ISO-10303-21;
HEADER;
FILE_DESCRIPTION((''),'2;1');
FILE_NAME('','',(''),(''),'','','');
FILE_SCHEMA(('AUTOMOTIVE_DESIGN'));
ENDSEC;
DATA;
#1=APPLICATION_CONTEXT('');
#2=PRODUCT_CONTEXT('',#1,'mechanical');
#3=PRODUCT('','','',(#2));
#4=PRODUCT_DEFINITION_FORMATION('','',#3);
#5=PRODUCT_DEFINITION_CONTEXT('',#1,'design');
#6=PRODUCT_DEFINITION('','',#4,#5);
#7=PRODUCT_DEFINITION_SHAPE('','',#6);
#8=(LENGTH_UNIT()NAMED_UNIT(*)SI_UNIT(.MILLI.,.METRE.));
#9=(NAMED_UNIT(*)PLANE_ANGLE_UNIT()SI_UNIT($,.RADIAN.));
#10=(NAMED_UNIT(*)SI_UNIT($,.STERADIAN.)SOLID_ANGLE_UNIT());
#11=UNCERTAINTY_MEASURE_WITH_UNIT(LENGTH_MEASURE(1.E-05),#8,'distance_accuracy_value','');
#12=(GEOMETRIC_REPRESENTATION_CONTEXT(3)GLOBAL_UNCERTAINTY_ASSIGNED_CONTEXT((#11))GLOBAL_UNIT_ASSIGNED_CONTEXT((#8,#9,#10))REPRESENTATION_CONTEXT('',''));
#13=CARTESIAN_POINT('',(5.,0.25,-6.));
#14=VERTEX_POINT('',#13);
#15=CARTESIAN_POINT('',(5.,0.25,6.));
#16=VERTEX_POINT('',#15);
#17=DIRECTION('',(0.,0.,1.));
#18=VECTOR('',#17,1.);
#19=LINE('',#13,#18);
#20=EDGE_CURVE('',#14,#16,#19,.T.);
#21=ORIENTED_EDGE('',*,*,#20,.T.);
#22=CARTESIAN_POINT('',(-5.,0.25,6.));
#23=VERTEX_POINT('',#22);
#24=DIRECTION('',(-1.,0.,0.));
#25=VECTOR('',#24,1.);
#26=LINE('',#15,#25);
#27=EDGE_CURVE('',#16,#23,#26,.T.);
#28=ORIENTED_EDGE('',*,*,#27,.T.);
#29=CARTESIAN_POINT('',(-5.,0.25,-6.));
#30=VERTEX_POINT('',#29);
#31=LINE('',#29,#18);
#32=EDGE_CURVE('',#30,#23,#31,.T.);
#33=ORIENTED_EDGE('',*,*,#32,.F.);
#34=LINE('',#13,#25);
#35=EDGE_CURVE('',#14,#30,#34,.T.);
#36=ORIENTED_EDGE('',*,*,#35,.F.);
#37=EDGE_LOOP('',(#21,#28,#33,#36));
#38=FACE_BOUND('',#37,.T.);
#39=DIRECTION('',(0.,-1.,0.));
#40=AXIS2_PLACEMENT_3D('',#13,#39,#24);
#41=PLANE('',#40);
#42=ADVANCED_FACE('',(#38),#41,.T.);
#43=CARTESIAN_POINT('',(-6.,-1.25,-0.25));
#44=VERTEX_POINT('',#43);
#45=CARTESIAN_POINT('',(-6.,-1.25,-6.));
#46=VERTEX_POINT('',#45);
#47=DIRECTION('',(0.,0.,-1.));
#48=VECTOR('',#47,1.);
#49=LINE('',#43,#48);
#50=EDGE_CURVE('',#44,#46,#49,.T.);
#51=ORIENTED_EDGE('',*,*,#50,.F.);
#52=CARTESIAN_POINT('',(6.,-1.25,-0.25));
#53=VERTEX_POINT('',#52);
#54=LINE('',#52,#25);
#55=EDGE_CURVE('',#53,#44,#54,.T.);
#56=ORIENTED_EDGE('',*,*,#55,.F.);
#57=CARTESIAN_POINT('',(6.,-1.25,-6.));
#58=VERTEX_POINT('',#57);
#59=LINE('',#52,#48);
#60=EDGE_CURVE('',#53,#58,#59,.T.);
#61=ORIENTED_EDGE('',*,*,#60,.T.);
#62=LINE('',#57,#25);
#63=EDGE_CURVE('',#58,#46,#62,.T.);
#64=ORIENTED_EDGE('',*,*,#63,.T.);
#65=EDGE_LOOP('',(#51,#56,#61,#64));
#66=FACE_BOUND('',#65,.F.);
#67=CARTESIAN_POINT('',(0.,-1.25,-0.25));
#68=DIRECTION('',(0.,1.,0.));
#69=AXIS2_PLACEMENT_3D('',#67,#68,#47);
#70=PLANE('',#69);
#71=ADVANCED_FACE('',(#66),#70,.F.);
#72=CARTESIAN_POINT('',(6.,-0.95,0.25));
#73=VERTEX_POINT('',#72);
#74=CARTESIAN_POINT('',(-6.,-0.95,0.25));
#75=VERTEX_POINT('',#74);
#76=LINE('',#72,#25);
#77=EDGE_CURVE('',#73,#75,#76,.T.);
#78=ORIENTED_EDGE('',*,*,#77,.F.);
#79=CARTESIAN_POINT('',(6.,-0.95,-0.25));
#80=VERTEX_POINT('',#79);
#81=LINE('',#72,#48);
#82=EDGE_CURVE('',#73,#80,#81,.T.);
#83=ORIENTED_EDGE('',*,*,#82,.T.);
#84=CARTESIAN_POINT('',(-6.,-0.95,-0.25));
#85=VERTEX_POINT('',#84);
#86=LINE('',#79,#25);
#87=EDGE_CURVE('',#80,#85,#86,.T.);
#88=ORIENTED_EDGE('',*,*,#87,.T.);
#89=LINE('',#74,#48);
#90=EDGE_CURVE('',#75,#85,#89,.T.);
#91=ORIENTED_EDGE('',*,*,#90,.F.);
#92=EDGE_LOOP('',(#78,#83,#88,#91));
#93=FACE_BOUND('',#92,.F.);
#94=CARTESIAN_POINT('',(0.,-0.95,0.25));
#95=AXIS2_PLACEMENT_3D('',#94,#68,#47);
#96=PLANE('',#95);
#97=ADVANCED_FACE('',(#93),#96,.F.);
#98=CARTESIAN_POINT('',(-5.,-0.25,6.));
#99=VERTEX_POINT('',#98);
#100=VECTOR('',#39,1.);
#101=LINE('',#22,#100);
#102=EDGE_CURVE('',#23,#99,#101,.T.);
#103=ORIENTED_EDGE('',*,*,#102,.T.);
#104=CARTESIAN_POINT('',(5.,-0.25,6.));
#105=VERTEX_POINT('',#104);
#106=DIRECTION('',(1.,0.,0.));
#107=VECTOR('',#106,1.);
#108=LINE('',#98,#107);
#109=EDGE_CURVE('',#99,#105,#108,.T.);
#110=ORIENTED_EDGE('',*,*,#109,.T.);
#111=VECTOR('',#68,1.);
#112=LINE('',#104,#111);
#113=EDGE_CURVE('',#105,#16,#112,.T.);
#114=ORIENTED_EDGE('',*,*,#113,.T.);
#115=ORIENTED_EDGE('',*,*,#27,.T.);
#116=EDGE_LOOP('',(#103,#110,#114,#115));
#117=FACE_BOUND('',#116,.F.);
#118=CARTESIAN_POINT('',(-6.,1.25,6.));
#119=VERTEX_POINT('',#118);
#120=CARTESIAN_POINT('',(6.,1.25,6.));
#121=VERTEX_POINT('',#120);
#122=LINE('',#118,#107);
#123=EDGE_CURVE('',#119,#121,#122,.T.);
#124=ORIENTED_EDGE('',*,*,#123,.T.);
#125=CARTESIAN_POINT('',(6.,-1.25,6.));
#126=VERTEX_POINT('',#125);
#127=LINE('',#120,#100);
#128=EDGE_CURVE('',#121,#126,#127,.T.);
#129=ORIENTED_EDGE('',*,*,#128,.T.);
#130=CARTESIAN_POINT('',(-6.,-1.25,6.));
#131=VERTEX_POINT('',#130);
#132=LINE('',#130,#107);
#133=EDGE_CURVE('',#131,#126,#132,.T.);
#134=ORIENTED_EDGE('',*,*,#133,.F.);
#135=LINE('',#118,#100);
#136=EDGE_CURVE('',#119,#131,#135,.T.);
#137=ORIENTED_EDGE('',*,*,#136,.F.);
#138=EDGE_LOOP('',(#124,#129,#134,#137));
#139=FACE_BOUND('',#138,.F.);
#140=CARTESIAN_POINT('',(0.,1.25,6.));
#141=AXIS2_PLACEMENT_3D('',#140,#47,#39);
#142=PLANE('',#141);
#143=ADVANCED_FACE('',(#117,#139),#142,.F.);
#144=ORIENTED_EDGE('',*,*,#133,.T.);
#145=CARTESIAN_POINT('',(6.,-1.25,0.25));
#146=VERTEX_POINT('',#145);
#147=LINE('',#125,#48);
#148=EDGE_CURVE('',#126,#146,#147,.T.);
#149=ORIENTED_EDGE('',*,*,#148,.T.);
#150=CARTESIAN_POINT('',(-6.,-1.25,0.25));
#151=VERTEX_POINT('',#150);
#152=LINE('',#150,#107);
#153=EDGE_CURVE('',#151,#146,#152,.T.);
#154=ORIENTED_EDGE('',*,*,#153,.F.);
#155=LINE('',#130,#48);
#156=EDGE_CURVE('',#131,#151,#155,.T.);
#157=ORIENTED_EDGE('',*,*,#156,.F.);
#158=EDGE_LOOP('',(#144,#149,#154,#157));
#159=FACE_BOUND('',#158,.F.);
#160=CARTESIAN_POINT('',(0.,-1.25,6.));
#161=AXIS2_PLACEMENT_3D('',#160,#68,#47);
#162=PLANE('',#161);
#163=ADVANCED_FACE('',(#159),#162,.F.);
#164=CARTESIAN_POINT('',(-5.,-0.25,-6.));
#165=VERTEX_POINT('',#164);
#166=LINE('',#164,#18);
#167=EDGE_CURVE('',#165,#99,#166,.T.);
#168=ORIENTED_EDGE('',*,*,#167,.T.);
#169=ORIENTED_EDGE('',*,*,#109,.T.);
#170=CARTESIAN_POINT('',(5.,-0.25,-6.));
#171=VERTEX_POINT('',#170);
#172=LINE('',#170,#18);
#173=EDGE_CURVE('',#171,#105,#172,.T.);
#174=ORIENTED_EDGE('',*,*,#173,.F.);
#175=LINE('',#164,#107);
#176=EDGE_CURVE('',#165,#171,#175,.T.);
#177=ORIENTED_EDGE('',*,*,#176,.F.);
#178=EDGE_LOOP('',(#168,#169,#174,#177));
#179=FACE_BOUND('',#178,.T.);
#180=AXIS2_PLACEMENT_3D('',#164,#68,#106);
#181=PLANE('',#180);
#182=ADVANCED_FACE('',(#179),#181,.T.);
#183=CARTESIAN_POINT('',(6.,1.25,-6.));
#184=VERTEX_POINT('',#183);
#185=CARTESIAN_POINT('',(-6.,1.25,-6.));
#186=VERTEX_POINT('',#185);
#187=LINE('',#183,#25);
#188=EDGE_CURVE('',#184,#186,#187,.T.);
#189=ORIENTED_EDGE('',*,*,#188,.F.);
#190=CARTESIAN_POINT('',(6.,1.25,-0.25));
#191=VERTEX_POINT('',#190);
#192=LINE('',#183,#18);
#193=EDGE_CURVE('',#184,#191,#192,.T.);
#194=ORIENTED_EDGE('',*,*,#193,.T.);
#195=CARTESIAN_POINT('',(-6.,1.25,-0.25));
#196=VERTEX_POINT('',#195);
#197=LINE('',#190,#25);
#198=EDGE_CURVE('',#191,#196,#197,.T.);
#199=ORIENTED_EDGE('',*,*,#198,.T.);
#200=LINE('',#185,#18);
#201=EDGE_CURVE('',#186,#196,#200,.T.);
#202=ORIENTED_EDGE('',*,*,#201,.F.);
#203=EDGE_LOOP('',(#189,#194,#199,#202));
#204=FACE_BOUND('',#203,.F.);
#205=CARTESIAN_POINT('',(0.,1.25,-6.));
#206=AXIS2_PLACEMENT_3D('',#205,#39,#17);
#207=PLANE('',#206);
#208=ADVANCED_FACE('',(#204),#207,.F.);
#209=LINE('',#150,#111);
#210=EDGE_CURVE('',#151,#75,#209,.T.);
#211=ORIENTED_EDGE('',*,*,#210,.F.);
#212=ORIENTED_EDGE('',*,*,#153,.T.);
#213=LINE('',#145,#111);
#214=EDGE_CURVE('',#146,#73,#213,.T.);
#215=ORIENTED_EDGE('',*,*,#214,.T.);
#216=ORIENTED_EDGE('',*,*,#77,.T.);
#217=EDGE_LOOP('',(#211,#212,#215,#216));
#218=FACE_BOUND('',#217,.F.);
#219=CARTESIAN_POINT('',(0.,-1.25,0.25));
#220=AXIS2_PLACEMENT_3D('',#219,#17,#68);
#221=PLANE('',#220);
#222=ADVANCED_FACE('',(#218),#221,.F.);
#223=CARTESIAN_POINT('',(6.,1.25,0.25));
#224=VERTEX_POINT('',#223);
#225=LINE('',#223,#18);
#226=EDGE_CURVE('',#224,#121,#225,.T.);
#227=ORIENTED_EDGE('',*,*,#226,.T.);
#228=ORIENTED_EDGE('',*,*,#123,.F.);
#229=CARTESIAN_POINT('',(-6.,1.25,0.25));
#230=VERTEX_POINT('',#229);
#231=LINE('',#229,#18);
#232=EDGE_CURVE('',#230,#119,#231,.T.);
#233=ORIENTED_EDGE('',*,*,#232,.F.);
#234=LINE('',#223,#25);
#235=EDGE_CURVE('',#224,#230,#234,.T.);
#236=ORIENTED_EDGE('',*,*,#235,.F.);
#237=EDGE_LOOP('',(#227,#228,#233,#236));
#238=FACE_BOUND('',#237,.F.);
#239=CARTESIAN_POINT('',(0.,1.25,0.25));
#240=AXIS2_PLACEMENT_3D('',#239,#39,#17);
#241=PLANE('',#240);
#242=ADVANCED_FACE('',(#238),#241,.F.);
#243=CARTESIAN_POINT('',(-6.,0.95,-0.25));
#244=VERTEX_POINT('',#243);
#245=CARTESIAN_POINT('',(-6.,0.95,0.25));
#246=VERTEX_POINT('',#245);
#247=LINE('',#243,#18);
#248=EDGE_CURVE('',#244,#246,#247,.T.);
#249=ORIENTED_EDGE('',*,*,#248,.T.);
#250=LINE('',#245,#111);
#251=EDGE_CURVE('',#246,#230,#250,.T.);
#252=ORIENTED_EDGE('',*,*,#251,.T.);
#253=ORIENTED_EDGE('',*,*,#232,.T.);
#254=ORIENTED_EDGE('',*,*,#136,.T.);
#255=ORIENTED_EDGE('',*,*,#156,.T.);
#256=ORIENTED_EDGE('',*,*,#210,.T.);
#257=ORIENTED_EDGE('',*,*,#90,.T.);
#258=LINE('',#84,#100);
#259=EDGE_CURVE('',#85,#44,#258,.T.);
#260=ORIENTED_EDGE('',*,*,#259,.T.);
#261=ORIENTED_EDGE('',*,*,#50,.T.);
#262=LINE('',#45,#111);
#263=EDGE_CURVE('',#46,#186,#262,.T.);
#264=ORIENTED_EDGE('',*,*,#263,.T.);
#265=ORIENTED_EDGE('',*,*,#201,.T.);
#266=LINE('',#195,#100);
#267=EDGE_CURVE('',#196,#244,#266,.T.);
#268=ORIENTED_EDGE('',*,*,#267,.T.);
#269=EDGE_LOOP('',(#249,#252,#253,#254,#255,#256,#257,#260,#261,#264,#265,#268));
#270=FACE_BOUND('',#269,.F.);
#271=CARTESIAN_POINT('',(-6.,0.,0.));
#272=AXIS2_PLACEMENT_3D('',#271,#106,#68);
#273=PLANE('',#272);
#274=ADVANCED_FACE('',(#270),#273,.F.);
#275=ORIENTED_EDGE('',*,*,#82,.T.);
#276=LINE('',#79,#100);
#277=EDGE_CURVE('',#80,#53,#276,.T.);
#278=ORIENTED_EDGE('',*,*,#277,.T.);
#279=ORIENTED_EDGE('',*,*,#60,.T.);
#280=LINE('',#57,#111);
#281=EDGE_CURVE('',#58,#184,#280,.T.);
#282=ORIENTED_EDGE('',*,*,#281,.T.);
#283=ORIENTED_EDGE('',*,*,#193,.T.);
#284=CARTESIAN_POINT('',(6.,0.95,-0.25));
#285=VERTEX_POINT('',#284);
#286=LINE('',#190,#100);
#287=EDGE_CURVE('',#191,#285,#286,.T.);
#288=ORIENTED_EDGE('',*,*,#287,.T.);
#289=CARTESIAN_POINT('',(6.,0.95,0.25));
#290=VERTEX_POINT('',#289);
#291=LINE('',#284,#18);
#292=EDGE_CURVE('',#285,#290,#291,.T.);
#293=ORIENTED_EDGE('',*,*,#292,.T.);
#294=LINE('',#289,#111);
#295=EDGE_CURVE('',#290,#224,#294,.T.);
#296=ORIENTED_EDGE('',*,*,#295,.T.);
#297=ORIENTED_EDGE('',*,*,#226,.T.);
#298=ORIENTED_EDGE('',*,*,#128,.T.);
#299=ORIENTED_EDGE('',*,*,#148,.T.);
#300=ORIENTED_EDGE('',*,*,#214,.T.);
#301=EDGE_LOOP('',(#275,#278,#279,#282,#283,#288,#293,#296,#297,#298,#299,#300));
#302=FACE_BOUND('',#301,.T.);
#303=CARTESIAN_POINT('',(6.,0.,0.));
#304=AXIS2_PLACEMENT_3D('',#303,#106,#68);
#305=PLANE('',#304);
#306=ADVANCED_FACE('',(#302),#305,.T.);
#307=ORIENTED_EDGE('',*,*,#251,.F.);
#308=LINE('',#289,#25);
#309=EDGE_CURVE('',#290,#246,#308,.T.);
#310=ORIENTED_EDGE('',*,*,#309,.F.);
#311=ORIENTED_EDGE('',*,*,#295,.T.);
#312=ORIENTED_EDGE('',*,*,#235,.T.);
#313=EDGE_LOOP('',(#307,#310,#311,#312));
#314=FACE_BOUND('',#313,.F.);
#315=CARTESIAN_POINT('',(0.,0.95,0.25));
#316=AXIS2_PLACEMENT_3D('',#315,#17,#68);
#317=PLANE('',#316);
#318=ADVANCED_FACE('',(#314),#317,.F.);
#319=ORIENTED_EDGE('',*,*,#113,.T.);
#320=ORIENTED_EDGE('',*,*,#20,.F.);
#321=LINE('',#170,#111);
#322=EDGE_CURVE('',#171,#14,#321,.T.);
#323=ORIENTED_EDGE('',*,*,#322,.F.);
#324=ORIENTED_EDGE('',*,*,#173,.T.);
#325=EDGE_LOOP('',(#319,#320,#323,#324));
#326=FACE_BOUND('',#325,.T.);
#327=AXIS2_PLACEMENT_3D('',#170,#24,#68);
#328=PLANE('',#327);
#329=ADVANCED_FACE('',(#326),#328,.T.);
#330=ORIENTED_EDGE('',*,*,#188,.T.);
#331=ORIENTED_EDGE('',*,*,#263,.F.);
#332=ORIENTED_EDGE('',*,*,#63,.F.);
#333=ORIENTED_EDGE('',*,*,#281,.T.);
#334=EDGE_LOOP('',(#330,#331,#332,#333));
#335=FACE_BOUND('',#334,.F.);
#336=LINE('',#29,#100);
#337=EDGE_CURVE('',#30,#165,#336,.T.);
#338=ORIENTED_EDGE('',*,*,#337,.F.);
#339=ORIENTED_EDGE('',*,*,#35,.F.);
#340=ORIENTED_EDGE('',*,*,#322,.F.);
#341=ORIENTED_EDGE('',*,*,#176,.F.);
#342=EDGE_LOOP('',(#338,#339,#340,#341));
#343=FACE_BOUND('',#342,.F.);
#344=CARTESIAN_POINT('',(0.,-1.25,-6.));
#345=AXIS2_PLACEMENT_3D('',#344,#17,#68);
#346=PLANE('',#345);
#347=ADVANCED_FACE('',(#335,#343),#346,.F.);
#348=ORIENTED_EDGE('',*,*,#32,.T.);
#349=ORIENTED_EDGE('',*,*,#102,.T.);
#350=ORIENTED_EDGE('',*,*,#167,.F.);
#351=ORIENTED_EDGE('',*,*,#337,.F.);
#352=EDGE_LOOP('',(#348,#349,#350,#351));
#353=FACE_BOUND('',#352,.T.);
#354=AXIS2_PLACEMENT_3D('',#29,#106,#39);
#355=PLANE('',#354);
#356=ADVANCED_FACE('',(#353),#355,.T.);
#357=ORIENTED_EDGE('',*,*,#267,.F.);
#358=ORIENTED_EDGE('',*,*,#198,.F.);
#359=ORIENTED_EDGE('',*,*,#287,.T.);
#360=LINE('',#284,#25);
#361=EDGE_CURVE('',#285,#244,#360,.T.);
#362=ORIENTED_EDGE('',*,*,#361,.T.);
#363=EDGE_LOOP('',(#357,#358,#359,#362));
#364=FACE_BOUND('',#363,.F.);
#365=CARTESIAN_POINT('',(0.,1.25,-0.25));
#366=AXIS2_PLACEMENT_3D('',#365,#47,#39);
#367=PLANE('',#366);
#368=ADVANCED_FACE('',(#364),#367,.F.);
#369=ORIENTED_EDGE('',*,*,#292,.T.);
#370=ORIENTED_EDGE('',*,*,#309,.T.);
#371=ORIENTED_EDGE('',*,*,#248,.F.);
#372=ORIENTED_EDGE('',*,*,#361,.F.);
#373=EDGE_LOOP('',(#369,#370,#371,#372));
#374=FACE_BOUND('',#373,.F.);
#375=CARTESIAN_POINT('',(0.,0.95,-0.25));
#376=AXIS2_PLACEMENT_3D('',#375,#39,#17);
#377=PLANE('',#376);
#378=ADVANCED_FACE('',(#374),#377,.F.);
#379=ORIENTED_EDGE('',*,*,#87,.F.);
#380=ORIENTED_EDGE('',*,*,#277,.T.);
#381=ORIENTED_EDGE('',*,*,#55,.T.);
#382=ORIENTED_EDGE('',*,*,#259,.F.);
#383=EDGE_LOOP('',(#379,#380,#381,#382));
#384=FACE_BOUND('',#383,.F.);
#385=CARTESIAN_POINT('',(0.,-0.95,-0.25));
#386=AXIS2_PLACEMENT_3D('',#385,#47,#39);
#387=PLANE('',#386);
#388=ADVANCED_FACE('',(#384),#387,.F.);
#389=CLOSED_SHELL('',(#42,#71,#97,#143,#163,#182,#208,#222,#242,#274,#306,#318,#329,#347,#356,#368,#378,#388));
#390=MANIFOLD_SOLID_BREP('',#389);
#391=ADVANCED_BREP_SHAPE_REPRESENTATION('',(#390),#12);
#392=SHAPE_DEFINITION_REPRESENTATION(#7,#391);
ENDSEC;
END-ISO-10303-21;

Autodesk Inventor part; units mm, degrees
ref_plane "YZ Plane" through (0, 0, 0) normal (1, 0, 0) x (0, 1, 0)
ref_plane "XZ Plane" through (0, 0, 0) normal (0, 1, 0) x (-1, 0, 0)
ref_plane "XY Plane" through (0, 0, 0) normal (0, 0, 1) x (1, 0, 0)
sketch "Skizze2" plane through (0, 0, 0) normal (1, 0, 0) x (0, 1, 0)
  line L0 (1.25, 6) -> (-1.25, 6)
  line L1 (-1.25, 6) -> (-1.25, 0.25)
  line L2 (-1.25, 0.25) -> (-0.95, 0.25)
  line L3 (-0.95, 0.25) -> (-0.95, -0.25)
  line L4 (-0.95, -0.25) -> (-1.25, -0.25)
  line L5 (-1.25, -0.25) -> (-1.25, -6)
  line L6 (-1.25, -6) -> (1.25, -6)
  line L7 (1.25, -6) -> (1.25, -0.25)
  line L8 (1.25, -0.25) -> (0.95, -0.25)
  line L9 (0.95, -0.25) -> (0.95, 0.25)
  line L10 (0.95, 0.25) -> (1.25, 0.25)
  line L11 (1.25, 0.25) -> (1.25, 6)
  line L12 (0.25, 6) -> (0.25, -6) construction
  line L13 (-0.25, -6) -> (-0.25, 6) construction
  point P0 (0, 0)
  point P1 (0.95, 0)
  dimension "d0" = 0.5
  dimension "d1" = 1
  dimension "d2" = 1
  dimension "d3" = 0.5
  dimension "d4" = 0.25
  dimension "d5" = 0.3
  dimension "d6" = 0.3
  dimension "d7" = 6
  dimension "d8" = 6
extrude "Extrusion1" add sketch "Skizze2" along normal mid plane 12
sketch "Skizze3" plane through (-6, -1.25, -6) normal (0, 0, -1) x (-1, 0, 0)
  line L0 (-11, 1.5) -> (-1, 1.5)
  line L1 (-1, 1.5) -> (-1, 1)
  line L2 (-1, 1) -> (-11, 1)
  line L3 (-11, 1) -> (-11, 1.5)
  line L4 (0, 2.5) -> (-12, 2.5) projected
  line L5 (0, 2.5) -> (0, 0) projected
  point P0 (-6, 1.25)
  point P1 (-6, 1.5)
  point P2 (-6, 2.5)
  point P3 (-1, 1.25)
  point P4 (0, 1.25)
  dimension "d11" = 10
  dimension "d12" = 0.5
extrude "Extrusion2" cut sketch "Skizze3" against normal blind 12
sketch "Skizze4" plane through (-5, -0.25, -6) normal (0, 1, 0) x (1, 0, 0)
  line L0 (-1, -12) -> (11, -12) projected
  line L1 (-1, 0) -> (11, 0) projected
  line L2 (4.3, 0) -> (5.7, 0)
  line L3 (5.7, 0) -> (5.7, -12)
  line L4 (5.7, -12) -> (4.3, -12)
  line L5 (4.3, -12) -> (4.3, 0)
  line L6 (3.3, -12) -> (1.9, -12)
  line L7 (1.9, -12) -> (1.9, 0)
  line L8 (1.9, 0) -> (3.3, 0)
  line L9 (3.3, 0) -> (3.3, -12)
  line L10 (6.7, 0) -> (8.1, 0)
  line L11 (8.1, 0) -> (8.1, -12)
  line L12 (8.1, -12) -> (6.7, -12)
  line L13 (6.7, -12) -> (6.7, 0)
  point P0 (5, -6)
  point P1 (5, -12)
  point P2 (5, -12)
  dimension "d15" = 1.4
  dimension "d16" = 1
  dimension "d17" = 1
split_face "Trennen1"
split_face "Trennen2"
split_face "Trennen3"
equation "\"d2\" = d1"
equation "\"d4\" = 0.5 * d0"
equation "\"d6\" = d5"
equation "\"d8\" = d7"
equation "\"d17\" = d16"
properties part number "3_Pin_LED_Verbinder" material "PA 6.6"
